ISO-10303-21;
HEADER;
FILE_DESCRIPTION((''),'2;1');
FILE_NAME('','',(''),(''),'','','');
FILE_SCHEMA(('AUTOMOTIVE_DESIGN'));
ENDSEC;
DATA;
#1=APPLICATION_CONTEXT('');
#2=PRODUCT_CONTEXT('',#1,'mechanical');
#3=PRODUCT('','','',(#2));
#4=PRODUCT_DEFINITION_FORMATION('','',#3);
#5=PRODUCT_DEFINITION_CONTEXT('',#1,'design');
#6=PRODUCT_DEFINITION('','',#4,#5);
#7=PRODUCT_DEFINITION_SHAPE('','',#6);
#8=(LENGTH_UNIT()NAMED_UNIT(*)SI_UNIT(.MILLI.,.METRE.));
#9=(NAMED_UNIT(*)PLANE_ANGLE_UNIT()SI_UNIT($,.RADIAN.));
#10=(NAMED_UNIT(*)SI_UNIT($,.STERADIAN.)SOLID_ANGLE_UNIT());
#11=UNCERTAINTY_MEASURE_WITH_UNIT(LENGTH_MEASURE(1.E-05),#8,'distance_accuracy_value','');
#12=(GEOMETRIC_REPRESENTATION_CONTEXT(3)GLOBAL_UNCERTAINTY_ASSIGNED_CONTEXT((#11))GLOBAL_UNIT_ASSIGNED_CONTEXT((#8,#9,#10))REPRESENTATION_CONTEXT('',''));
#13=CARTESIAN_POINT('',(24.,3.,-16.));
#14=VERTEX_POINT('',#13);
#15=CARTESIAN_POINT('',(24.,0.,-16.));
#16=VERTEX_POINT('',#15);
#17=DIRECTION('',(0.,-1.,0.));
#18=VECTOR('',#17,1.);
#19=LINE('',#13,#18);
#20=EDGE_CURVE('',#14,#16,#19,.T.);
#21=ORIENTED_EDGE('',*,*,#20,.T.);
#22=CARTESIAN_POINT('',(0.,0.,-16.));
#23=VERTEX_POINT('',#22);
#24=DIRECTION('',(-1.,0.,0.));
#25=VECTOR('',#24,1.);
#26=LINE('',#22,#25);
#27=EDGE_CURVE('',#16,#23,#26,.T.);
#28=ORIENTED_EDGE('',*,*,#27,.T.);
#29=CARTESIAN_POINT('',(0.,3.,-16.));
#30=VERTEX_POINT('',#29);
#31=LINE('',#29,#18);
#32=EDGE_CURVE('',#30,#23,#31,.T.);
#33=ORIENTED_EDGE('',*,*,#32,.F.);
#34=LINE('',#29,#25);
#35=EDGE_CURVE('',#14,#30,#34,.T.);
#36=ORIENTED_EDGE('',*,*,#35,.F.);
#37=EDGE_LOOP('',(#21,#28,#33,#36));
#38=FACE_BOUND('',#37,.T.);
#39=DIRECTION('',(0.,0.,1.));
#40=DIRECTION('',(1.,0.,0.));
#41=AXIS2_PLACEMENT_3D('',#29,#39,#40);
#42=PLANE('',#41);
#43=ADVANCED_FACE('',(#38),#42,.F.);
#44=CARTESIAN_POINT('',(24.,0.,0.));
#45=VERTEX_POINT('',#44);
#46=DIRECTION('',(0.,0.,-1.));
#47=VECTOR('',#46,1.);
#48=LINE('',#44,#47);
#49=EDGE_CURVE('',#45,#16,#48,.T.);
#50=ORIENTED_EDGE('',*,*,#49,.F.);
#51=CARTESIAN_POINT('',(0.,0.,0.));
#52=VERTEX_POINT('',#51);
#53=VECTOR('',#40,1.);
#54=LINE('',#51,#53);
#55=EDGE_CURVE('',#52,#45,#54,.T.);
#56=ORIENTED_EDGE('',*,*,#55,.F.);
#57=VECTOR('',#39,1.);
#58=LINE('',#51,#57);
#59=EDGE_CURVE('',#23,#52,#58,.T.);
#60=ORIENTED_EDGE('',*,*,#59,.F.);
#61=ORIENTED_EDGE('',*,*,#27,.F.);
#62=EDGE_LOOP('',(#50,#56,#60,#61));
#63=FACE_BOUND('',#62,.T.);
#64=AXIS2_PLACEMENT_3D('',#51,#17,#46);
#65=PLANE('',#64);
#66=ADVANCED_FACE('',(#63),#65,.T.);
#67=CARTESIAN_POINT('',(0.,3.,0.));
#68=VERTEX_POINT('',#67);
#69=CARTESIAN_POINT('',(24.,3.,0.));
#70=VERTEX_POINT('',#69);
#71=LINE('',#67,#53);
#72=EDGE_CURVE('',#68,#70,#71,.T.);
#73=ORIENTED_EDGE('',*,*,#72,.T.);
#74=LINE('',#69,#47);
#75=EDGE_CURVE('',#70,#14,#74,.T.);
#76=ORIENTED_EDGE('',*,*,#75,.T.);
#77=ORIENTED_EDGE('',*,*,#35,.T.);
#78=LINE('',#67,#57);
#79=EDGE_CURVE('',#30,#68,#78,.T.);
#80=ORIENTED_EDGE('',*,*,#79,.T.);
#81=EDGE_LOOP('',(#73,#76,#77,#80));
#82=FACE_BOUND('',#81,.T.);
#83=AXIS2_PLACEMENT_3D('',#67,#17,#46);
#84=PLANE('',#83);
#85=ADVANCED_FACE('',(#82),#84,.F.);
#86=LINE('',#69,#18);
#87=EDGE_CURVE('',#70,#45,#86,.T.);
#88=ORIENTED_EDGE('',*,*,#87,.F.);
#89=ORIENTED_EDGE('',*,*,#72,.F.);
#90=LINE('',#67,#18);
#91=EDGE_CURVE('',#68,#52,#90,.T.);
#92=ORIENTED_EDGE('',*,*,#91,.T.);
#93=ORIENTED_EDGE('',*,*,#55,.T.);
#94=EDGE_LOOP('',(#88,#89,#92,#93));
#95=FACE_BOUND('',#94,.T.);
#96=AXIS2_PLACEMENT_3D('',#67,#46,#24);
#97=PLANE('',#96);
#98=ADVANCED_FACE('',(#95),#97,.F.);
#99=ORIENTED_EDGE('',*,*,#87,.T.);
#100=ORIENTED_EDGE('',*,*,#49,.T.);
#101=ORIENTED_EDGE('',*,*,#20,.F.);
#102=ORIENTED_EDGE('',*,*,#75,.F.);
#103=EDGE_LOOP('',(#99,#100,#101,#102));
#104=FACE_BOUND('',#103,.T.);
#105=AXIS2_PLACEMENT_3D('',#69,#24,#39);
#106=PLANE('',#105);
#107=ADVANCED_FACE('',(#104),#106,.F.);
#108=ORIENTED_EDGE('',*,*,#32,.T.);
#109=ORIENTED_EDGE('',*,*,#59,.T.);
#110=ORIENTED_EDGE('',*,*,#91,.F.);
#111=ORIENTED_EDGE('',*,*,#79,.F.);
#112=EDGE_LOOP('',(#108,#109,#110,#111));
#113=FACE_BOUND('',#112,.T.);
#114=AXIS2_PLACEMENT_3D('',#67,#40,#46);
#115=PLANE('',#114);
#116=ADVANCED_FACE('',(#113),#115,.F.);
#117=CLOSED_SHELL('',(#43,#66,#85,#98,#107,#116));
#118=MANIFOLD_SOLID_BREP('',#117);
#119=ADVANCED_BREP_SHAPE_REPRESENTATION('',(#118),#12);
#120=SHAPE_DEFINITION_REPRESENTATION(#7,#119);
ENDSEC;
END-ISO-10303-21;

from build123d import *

# Parameters (mm, degrees)
ESQUISSE2_W        = 24
ESQUISSE2_H        = 16
BOSS_EXTRU_1_DEPTH = 3


with BuildPart() as part:
    # Esquisse2 → Boss.-Extru.1 (new body)
    with BuildSketch(Plane(origin=(0, 0, 0), x_dir=(1, 0, 0), z_dir=(0, 1, 0))):
        with Locations((12, 8)):
            Rectangle(ESQUISSE2_W, ESQUISSE2_H)
    extrude(amount=BOSS_EXTRU_1_DEPTH)


solid = part.part
